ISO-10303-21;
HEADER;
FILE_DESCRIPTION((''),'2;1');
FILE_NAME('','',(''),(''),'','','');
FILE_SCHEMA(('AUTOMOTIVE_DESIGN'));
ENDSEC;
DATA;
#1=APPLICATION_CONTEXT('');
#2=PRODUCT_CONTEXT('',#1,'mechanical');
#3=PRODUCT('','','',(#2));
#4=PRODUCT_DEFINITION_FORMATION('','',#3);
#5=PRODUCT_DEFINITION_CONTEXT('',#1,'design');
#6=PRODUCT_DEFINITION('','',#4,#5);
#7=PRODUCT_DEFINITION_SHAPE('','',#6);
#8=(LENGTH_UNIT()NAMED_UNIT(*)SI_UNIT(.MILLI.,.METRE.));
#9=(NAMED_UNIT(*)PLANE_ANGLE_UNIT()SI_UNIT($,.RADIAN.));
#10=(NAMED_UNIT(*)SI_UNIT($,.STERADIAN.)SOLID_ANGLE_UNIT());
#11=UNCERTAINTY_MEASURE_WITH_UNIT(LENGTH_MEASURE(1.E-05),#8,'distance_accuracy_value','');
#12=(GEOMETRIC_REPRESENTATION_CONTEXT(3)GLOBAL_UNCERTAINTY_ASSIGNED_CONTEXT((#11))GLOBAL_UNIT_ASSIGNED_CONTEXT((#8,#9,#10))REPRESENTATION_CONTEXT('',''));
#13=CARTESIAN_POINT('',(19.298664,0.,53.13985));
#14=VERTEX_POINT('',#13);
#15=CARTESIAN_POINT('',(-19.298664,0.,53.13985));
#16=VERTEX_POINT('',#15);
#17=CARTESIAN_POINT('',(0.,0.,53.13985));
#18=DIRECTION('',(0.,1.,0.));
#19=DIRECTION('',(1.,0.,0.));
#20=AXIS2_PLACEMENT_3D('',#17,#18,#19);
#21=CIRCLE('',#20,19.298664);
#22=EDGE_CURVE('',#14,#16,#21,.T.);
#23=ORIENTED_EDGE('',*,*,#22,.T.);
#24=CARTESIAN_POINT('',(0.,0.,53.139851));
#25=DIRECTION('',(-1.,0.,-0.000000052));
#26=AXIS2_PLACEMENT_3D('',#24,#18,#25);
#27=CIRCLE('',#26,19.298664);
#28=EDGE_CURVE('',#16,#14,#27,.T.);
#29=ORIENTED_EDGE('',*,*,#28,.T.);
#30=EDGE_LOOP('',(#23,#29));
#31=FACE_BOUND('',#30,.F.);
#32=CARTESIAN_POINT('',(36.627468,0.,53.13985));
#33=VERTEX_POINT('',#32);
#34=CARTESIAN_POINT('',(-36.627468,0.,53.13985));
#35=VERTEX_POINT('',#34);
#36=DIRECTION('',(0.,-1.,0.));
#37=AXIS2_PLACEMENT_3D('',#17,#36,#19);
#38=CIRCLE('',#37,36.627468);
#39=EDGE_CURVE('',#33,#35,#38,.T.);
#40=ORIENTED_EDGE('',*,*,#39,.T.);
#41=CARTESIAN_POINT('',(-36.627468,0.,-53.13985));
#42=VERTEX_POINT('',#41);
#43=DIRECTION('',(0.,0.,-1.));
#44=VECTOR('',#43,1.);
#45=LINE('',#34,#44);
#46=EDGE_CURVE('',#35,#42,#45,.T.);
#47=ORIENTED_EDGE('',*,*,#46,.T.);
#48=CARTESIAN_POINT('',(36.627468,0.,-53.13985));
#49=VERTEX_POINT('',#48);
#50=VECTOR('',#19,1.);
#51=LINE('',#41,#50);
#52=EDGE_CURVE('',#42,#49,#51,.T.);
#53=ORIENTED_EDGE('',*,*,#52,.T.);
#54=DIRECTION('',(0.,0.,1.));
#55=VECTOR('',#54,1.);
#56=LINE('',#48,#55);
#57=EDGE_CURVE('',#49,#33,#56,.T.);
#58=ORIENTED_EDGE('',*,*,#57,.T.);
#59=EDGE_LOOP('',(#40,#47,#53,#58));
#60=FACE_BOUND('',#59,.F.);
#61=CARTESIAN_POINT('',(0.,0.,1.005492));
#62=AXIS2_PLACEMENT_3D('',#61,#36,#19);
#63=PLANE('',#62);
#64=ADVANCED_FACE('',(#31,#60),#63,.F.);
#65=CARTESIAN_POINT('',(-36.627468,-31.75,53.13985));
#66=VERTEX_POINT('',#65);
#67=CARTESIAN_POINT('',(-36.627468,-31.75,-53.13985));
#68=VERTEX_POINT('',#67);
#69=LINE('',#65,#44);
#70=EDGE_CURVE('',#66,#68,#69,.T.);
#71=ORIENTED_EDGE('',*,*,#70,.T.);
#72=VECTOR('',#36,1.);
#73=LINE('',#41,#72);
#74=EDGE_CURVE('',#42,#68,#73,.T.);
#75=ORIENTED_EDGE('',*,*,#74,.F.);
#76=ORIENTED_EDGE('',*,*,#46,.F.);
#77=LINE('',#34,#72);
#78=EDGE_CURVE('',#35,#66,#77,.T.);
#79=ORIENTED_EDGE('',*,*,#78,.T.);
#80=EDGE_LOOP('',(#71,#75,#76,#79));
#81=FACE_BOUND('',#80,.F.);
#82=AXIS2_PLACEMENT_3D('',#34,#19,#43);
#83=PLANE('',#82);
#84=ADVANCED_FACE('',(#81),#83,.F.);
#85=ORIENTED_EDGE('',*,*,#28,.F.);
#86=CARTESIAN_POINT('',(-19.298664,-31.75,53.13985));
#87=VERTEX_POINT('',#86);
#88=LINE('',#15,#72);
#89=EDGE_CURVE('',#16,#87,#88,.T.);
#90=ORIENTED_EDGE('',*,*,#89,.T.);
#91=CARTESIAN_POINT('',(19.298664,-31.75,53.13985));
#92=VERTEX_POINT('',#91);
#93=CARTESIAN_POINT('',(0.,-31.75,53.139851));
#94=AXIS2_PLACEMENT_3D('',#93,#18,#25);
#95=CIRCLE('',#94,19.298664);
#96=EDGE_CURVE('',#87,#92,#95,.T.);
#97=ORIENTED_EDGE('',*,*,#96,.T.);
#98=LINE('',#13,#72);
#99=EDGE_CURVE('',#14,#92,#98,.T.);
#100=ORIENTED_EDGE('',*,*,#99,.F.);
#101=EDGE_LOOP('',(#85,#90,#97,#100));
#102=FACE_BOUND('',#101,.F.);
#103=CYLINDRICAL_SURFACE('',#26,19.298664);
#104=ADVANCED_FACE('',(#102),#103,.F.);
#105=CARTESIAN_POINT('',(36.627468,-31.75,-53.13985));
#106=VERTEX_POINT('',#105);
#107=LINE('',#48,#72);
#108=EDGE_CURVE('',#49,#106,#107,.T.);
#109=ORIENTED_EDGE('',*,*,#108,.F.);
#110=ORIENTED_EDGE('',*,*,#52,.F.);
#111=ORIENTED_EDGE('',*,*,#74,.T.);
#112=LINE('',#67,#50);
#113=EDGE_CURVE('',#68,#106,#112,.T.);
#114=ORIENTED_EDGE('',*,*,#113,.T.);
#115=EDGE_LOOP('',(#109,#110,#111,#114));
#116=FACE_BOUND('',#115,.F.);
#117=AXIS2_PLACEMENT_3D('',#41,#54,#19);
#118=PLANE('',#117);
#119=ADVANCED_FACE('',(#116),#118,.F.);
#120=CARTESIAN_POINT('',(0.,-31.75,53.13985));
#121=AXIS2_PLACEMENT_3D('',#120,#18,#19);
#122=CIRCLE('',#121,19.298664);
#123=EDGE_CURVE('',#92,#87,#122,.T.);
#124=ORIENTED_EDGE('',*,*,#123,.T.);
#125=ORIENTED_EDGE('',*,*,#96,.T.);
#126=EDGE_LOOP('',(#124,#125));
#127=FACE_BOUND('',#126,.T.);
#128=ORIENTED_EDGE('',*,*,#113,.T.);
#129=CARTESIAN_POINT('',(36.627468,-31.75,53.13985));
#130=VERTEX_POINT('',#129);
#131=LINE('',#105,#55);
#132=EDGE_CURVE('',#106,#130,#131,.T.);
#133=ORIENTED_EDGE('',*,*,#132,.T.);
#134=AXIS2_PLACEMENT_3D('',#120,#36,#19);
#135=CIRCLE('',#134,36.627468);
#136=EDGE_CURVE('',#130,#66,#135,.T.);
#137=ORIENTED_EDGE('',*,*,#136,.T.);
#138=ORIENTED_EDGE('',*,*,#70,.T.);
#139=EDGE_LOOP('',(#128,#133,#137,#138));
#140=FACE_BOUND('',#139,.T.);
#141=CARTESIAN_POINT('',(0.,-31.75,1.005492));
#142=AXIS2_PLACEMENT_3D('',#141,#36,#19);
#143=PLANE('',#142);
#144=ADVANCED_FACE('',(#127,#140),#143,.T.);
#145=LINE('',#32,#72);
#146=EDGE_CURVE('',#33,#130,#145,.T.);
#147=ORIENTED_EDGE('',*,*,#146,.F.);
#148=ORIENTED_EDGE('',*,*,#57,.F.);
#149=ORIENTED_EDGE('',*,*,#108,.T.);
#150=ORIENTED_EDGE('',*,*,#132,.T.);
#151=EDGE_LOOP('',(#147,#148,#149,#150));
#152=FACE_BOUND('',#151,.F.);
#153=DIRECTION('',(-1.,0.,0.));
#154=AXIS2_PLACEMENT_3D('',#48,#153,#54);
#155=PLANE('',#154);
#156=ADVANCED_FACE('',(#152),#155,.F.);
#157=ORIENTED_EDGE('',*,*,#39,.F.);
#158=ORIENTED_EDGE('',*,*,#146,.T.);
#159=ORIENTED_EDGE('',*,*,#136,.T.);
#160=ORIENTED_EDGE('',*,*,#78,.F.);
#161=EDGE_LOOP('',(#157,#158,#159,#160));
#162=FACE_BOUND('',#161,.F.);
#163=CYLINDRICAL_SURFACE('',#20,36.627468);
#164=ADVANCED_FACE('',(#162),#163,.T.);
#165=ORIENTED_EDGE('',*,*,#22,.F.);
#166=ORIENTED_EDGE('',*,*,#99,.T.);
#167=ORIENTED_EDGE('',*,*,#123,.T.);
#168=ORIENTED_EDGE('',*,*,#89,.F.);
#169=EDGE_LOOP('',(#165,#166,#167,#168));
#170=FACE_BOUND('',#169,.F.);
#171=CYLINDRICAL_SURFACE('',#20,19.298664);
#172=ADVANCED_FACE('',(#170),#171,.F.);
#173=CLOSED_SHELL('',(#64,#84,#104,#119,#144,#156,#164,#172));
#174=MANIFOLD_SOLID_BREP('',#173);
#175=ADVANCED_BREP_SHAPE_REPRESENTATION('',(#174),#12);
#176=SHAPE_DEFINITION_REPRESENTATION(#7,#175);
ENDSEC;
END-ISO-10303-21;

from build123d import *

# Parameters (mm, degrees)
F1_DEPTH = 31.75


with BuildPart() as f1:
    # F0 (on Front) → F1 (new body)
    with BuildSketch(Plane.XZ):
        with BuildLine():
            Line((36.627468, -53.13985), (36.627468, 53.13985))
            Line((36.627468, 53.13985), (19.298664, 53.13985))
            ThreePointArc((19.298664, 53.13985), (0, 33.841186), (-19.298664, 53.13985))
            Line((-19.298664, 53.13985), (-36.627468, 53.13985))
            Line((-36.627468, 53.13985), (-36.627468, -53.13985))
            Line((-36.627468, -53.13985), (36.627468, -53.13985))
        make_face()
        with BuildLine():
            Line((19.298664, 53.13985), (36.627468, 53.13985))
            ThreePointArc((36.627468, 53.13985), (0, 89.767318), (-36.627468, 53.13985))
            Line((-36.627468, 53.13985), (-19.298664, 53.13985))
            ThreePointArc((-19.298664, 53.13985), (0, 72.438515), (19.298664, 53.13985))
        make_face()
    extrude(amount=F1_DEPTH)


solid = f1.part
